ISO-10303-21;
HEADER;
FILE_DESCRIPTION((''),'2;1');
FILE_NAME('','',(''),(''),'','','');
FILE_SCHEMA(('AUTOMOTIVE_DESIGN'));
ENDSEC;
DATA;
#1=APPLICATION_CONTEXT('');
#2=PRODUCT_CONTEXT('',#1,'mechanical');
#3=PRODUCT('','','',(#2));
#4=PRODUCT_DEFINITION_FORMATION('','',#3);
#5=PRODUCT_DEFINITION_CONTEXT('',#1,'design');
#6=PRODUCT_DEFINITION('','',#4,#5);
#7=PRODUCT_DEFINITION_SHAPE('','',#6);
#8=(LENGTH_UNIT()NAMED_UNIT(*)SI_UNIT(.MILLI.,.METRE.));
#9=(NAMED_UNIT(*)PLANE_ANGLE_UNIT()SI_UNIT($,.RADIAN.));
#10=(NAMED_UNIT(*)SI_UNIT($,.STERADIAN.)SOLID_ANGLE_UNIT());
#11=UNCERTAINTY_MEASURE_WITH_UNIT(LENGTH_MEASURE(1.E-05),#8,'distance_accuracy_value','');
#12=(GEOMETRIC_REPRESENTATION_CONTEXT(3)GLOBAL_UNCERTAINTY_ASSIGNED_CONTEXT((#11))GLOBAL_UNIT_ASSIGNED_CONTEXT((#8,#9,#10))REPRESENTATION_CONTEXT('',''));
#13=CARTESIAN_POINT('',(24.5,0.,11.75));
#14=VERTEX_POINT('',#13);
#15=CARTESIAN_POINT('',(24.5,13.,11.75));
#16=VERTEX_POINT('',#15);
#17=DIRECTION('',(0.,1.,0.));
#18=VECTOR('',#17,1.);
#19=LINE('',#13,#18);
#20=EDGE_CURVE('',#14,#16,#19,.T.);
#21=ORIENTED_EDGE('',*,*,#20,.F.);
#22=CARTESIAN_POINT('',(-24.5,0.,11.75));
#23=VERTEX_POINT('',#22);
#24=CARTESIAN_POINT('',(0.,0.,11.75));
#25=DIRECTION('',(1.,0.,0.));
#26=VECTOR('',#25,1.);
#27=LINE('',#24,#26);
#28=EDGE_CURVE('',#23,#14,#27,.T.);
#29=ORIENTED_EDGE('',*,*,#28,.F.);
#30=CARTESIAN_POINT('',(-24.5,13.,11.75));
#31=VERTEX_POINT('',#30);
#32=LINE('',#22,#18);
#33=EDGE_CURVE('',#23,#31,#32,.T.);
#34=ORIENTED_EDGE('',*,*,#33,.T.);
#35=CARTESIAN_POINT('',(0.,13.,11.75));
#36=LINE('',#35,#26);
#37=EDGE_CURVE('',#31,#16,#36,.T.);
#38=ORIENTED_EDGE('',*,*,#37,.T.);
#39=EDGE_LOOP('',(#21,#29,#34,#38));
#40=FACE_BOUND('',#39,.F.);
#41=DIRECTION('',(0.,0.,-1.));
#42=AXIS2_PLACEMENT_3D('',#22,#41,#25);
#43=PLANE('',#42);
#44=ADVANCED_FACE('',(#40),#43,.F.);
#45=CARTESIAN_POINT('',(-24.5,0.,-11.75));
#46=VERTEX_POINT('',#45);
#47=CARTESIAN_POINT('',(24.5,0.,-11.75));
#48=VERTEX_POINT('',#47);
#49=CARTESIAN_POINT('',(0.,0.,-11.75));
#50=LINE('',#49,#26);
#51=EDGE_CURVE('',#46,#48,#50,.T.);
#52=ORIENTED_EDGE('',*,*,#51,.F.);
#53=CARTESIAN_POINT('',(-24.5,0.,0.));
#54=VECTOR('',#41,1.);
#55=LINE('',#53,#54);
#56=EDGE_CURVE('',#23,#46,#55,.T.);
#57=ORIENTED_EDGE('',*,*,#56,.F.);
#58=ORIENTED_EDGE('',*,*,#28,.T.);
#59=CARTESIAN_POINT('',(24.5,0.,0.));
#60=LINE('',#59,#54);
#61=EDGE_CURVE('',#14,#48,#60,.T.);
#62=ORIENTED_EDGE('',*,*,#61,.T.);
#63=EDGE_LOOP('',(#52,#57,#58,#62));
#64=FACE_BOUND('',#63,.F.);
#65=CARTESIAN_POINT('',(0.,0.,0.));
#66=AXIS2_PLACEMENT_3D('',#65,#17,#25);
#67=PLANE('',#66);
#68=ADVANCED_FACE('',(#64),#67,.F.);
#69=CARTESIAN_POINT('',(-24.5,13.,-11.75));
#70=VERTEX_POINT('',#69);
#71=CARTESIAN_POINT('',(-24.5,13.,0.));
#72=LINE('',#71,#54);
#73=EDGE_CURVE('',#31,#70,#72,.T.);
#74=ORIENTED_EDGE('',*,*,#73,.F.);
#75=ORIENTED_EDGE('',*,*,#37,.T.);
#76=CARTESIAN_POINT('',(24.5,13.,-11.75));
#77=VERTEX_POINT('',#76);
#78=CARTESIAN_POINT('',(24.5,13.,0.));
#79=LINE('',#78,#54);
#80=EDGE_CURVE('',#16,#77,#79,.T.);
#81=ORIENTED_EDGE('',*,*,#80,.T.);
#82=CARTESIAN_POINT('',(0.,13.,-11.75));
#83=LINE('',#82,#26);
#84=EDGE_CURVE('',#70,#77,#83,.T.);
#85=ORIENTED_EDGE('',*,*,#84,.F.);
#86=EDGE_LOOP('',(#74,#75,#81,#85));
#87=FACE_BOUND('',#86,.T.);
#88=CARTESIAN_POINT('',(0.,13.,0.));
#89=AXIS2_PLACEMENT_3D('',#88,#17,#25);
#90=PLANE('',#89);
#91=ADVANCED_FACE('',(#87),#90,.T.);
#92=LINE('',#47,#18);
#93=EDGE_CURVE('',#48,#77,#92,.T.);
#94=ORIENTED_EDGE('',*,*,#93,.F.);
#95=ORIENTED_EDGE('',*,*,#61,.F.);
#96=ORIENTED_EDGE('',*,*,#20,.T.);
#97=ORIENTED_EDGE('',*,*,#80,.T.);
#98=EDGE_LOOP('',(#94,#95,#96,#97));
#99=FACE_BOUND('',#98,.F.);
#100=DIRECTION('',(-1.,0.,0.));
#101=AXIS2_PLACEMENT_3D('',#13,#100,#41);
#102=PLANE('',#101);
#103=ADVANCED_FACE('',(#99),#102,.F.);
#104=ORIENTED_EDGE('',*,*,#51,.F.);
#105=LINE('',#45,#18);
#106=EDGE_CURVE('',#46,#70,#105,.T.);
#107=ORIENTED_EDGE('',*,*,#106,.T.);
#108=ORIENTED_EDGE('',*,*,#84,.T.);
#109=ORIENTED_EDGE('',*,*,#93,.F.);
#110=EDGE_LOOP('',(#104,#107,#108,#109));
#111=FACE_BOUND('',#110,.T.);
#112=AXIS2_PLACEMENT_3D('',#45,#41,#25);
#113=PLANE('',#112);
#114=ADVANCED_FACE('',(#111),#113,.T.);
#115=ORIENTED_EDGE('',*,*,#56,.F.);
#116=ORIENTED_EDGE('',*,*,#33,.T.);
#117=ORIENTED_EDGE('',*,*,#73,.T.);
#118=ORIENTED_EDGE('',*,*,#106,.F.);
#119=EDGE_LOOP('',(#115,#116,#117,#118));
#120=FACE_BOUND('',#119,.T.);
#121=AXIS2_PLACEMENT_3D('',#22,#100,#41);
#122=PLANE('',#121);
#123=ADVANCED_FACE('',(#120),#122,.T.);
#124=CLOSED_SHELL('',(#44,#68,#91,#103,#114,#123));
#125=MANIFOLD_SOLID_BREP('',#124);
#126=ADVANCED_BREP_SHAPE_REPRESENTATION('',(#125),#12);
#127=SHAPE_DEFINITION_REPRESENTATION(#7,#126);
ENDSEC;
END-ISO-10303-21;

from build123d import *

# Parameters (mm, degrees)
SKETCH1_W           = 49
SKETCH1_H           = 23.5
BOSS_EXTRUDE1_DEPTH = 13


with BuildPart() as part:
    # Sketch1 → Boss-Extrude1 (new body)
    with BuildSketch(Plane(origin=(0, 0, 0), x_dir=(1, 0, 0), z_dir=(0, 1, 0))):
        Rectangle(SKETCH1_W, SKETCH1_H)
    extrude(amount=BOSS_EXTRUDE1_DEPTH)


solid = part.part
